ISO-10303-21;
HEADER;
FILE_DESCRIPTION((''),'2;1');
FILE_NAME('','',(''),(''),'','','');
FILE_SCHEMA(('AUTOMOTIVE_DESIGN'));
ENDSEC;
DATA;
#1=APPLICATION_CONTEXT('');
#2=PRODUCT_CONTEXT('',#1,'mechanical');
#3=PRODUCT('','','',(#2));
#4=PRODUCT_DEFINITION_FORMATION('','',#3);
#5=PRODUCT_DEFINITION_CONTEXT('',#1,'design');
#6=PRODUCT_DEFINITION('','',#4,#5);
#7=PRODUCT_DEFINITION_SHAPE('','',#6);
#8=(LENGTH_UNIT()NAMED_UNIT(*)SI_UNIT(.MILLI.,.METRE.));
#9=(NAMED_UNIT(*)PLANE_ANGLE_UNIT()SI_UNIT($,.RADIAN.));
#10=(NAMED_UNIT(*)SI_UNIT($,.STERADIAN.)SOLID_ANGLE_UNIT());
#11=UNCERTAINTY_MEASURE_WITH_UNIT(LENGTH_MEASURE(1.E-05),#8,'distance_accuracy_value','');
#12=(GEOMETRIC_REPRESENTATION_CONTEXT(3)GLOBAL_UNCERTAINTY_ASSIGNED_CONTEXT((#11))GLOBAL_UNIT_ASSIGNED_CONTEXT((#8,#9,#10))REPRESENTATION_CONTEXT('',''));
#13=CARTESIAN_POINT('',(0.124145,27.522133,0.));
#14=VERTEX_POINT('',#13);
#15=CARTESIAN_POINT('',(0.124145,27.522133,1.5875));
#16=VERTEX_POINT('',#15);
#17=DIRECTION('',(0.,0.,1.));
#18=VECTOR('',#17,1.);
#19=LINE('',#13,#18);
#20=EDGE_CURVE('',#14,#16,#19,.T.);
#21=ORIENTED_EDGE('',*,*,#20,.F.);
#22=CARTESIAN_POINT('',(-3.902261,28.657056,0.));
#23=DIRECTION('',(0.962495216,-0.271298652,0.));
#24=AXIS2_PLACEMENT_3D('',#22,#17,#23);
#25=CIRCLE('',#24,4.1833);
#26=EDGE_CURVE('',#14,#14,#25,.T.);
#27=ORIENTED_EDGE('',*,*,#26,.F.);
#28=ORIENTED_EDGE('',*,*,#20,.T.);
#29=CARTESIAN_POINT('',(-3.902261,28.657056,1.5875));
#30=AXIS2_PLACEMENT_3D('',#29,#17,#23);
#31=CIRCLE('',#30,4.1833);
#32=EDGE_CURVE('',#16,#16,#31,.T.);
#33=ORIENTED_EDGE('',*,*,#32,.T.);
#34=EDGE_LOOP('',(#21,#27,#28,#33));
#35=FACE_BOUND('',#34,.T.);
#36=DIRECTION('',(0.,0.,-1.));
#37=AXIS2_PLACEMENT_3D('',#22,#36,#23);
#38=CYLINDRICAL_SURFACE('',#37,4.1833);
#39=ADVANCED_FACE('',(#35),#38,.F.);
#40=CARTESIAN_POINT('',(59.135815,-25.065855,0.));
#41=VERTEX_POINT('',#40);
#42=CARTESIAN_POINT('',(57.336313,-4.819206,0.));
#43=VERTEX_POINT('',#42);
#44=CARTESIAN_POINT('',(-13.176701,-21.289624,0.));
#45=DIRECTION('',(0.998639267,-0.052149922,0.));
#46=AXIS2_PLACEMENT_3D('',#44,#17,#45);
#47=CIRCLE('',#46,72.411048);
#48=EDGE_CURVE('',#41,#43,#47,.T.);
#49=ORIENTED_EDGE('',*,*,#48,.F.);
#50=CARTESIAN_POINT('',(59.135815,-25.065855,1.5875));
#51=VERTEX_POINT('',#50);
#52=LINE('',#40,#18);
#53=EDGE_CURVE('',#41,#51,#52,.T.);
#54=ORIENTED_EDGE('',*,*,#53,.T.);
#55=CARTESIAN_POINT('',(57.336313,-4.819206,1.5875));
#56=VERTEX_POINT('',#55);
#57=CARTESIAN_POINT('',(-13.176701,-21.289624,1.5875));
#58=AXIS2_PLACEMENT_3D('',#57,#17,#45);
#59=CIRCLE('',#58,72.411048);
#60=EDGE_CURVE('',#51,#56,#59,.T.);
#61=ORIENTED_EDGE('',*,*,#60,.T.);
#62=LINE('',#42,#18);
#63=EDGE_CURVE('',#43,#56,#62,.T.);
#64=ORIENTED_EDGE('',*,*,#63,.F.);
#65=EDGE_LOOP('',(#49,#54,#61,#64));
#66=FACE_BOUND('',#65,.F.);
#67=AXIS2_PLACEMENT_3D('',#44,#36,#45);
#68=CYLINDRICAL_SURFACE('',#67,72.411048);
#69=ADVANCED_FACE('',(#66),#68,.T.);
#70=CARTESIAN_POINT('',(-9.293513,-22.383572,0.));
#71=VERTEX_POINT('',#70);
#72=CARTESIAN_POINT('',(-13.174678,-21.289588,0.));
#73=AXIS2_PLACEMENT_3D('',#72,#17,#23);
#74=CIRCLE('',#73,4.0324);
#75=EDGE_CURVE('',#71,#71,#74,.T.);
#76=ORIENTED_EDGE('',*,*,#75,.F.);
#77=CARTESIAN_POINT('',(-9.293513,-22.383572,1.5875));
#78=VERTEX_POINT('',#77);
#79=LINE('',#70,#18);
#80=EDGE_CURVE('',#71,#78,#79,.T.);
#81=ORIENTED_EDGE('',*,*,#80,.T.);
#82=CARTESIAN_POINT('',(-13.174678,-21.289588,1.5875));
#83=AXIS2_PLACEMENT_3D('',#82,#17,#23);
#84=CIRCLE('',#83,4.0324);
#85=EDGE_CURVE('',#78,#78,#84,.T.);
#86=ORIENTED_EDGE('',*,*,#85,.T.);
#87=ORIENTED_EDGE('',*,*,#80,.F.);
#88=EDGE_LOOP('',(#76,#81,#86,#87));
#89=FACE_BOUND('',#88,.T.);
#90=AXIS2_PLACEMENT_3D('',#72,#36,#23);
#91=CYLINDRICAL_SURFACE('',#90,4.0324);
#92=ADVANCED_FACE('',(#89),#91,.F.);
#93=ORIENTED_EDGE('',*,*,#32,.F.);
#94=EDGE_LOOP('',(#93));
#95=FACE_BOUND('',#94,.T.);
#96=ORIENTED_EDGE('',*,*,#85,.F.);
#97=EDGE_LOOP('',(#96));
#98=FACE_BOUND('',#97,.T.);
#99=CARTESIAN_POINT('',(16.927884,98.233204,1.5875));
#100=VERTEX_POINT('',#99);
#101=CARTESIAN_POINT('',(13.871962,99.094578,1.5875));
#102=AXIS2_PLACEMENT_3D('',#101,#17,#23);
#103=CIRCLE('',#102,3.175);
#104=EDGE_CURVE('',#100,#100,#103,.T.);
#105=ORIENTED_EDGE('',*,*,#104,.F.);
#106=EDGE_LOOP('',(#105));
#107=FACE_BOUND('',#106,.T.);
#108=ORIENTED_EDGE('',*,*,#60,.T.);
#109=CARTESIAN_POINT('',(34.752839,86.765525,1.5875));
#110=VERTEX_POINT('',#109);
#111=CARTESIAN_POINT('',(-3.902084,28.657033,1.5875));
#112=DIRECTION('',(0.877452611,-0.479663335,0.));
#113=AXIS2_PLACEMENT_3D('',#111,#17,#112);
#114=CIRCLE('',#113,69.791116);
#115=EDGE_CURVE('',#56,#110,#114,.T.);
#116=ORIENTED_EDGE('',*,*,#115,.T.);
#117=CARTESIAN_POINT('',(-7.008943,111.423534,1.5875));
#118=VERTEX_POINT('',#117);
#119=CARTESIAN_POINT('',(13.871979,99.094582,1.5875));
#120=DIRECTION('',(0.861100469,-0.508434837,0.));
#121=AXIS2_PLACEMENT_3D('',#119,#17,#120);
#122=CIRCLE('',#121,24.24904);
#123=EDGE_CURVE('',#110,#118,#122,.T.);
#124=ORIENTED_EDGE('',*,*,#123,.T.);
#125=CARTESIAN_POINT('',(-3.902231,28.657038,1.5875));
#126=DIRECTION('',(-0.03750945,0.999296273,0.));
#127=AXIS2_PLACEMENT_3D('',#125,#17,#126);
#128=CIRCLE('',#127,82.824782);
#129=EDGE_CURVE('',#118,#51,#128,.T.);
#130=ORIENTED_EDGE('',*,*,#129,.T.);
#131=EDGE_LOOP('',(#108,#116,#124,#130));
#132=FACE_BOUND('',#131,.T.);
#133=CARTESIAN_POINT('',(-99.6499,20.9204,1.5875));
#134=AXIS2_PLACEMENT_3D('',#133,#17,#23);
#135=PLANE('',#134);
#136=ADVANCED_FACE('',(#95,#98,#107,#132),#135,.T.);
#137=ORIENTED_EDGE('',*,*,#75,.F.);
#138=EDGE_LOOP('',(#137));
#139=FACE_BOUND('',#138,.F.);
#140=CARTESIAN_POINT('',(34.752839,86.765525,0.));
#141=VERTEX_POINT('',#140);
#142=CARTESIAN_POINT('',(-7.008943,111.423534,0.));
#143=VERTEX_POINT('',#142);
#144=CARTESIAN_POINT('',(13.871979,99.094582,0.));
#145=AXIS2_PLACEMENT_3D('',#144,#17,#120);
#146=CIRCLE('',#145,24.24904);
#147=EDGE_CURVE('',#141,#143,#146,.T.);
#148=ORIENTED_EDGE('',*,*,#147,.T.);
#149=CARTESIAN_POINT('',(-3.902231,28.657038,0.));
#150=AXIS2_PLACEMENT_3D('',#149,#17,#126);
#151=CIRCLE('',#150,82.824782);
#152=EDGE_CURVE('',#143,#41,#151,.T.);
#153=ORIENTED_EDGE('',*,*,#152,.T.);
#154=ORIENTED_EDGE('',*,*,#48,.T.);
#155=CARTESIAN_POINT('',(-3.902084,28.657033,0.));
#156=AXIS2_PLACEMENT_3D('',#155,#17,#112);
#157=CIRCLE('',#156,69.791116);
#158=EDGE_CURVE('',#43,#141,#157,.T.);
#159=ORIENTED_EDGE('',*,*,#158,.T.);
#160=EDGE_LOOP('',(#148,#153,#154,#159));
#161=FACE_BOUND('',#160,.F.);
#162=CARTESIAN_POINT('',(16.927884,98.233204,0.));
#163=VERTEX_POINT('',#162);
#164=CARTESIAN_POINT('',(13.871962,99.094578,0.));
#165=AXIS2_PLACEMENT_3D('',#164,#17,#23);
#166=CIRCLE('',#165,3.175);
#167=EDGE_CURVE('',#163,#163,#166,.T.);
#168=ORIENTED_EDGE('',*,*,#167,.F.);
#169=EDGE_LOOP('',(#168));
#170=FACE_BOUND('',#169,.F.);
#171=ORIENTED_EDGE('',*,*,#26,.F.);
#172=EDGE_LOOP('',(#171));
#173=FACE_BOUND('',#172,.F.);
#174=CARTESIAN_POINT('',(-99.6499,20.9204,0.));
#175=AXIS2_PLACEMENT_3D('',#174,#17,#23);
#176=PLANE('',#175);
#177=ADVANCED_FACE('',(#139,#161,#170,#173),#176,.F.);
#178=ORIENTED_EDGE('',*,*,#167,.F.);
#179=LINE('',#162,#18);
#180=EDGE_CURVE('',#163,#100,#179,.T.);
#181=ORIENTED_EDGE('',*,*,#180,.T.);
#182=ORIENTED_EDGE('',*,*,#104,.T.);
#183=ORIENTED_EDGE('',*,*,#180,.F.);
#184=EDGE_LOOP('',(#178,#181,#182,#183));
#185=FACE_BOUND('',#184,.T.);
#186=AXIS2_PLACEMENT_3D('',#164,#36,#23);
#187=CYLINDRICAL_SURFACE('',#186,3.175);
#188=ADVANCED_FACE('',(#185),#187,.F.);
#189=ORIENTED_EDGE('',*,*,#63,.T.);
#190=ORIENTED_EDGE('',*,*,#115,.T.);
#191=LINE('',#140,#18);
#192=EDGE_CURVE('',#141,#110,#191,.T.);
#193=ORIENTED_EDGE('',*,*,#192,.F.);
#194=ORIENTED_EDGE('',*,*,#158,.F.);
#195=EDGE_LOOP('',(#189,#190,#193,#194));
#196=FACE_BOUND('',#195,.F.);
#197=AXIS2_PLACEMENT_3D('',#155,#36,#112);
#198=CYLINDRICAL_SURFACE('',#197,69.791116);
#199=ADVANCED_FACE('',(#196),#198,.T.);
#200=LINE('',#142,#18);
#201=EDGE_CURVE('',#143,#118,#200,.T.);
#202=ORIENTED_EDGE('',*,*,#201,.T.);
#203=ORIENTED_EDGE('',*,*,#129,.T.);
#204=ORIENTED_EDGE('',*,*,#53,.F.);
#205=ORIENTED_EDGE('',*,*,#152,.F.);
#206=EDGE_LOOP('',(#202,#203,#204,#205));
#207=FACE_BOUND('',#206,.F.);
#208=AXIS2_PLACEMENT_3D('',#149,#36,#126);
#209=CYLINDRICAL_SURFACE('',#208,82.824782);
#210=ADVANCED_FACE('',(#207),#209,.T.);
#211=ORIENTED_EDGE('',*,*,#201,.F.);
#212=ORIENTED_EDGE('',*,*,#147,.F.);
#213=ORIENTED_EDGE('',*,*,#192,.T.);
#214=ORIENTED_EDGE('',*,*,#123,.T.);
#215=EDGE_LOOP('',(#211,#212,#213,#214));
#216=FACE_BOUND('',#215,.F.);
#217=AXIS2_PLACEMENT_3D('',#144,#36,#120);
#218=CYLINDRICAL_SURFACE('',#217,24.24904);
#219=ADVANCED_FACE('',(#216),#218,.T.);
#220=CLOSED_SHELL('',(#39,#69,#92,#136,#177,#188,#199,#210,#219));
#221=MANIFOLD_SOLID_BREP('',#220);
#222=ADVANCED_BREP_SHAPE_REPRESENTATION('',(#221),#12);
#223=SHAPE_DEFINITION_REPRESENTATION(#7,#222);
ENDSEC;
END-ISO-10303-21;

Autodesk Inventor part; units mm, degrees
ref_plane "YZ Plane" through (0, 0, 0) normal (1, 0, 0) x (0, 1, 0)
ref_plane "XZ Plane" through (0, 0, 0) normal (0, 1, 0) x (-1, 0, 0)
ref_plane "XY Plane" through (0, 0, 0) normal (0, 0, 1) x (1, 0, 0)
ref_plane "Work Plane1" through (-99.6499, 20.9204, 0) normal (0, 0, 1) x (0.9625, -0.2713, 0)
sketch "Sketch1" plane through (-99.6499, 20.9204, 0) normal (0, 0, 1) x (0.9625, -0.2713, 0)
  arc A0 (85.2738, 81.502) -> (83.0074, 84.6783) centre (85.432, 84.0117) ccw construction
  circle A1 centre (88.0557, 106.0406) radius 3.175
  arc A2 (111.4983, 99.8389) -> (64.6131, 112.2422) centre (88.0557, 106.0406) ccw
  circle A3 centre (90.0577, 33.4227) radius 3.175 construction
  circle A4 centre (94.6835, -17.1663) radius 3.175 construction
  arc A5 (165.3065, -1.1832) -> (158.0816, 17.8159) centre (94.6835, -17.1663) ccw
  circle A6 centre (90.0577, 33.4227) radius 4.1833
  circle A7 centre (94.6835, -17.1663) radius 4.0324
  arc A8 (158.0816, 17.8159) -> (111.4983, 99.8389) centre (90.0577, 33.4227) ccw
  arc A9 (64.6131, 112.2422) -> (165.3065, -1.1832) centre (90.0577, 33.4227) ccw
  point P0 (101.5885, 6.8942)
  dimension "d0" = 6.35
extrude "Extrusion1" add sketch "Sketch1" along normal blind 1.5875
properties part number "driveGearSupportLayer"
